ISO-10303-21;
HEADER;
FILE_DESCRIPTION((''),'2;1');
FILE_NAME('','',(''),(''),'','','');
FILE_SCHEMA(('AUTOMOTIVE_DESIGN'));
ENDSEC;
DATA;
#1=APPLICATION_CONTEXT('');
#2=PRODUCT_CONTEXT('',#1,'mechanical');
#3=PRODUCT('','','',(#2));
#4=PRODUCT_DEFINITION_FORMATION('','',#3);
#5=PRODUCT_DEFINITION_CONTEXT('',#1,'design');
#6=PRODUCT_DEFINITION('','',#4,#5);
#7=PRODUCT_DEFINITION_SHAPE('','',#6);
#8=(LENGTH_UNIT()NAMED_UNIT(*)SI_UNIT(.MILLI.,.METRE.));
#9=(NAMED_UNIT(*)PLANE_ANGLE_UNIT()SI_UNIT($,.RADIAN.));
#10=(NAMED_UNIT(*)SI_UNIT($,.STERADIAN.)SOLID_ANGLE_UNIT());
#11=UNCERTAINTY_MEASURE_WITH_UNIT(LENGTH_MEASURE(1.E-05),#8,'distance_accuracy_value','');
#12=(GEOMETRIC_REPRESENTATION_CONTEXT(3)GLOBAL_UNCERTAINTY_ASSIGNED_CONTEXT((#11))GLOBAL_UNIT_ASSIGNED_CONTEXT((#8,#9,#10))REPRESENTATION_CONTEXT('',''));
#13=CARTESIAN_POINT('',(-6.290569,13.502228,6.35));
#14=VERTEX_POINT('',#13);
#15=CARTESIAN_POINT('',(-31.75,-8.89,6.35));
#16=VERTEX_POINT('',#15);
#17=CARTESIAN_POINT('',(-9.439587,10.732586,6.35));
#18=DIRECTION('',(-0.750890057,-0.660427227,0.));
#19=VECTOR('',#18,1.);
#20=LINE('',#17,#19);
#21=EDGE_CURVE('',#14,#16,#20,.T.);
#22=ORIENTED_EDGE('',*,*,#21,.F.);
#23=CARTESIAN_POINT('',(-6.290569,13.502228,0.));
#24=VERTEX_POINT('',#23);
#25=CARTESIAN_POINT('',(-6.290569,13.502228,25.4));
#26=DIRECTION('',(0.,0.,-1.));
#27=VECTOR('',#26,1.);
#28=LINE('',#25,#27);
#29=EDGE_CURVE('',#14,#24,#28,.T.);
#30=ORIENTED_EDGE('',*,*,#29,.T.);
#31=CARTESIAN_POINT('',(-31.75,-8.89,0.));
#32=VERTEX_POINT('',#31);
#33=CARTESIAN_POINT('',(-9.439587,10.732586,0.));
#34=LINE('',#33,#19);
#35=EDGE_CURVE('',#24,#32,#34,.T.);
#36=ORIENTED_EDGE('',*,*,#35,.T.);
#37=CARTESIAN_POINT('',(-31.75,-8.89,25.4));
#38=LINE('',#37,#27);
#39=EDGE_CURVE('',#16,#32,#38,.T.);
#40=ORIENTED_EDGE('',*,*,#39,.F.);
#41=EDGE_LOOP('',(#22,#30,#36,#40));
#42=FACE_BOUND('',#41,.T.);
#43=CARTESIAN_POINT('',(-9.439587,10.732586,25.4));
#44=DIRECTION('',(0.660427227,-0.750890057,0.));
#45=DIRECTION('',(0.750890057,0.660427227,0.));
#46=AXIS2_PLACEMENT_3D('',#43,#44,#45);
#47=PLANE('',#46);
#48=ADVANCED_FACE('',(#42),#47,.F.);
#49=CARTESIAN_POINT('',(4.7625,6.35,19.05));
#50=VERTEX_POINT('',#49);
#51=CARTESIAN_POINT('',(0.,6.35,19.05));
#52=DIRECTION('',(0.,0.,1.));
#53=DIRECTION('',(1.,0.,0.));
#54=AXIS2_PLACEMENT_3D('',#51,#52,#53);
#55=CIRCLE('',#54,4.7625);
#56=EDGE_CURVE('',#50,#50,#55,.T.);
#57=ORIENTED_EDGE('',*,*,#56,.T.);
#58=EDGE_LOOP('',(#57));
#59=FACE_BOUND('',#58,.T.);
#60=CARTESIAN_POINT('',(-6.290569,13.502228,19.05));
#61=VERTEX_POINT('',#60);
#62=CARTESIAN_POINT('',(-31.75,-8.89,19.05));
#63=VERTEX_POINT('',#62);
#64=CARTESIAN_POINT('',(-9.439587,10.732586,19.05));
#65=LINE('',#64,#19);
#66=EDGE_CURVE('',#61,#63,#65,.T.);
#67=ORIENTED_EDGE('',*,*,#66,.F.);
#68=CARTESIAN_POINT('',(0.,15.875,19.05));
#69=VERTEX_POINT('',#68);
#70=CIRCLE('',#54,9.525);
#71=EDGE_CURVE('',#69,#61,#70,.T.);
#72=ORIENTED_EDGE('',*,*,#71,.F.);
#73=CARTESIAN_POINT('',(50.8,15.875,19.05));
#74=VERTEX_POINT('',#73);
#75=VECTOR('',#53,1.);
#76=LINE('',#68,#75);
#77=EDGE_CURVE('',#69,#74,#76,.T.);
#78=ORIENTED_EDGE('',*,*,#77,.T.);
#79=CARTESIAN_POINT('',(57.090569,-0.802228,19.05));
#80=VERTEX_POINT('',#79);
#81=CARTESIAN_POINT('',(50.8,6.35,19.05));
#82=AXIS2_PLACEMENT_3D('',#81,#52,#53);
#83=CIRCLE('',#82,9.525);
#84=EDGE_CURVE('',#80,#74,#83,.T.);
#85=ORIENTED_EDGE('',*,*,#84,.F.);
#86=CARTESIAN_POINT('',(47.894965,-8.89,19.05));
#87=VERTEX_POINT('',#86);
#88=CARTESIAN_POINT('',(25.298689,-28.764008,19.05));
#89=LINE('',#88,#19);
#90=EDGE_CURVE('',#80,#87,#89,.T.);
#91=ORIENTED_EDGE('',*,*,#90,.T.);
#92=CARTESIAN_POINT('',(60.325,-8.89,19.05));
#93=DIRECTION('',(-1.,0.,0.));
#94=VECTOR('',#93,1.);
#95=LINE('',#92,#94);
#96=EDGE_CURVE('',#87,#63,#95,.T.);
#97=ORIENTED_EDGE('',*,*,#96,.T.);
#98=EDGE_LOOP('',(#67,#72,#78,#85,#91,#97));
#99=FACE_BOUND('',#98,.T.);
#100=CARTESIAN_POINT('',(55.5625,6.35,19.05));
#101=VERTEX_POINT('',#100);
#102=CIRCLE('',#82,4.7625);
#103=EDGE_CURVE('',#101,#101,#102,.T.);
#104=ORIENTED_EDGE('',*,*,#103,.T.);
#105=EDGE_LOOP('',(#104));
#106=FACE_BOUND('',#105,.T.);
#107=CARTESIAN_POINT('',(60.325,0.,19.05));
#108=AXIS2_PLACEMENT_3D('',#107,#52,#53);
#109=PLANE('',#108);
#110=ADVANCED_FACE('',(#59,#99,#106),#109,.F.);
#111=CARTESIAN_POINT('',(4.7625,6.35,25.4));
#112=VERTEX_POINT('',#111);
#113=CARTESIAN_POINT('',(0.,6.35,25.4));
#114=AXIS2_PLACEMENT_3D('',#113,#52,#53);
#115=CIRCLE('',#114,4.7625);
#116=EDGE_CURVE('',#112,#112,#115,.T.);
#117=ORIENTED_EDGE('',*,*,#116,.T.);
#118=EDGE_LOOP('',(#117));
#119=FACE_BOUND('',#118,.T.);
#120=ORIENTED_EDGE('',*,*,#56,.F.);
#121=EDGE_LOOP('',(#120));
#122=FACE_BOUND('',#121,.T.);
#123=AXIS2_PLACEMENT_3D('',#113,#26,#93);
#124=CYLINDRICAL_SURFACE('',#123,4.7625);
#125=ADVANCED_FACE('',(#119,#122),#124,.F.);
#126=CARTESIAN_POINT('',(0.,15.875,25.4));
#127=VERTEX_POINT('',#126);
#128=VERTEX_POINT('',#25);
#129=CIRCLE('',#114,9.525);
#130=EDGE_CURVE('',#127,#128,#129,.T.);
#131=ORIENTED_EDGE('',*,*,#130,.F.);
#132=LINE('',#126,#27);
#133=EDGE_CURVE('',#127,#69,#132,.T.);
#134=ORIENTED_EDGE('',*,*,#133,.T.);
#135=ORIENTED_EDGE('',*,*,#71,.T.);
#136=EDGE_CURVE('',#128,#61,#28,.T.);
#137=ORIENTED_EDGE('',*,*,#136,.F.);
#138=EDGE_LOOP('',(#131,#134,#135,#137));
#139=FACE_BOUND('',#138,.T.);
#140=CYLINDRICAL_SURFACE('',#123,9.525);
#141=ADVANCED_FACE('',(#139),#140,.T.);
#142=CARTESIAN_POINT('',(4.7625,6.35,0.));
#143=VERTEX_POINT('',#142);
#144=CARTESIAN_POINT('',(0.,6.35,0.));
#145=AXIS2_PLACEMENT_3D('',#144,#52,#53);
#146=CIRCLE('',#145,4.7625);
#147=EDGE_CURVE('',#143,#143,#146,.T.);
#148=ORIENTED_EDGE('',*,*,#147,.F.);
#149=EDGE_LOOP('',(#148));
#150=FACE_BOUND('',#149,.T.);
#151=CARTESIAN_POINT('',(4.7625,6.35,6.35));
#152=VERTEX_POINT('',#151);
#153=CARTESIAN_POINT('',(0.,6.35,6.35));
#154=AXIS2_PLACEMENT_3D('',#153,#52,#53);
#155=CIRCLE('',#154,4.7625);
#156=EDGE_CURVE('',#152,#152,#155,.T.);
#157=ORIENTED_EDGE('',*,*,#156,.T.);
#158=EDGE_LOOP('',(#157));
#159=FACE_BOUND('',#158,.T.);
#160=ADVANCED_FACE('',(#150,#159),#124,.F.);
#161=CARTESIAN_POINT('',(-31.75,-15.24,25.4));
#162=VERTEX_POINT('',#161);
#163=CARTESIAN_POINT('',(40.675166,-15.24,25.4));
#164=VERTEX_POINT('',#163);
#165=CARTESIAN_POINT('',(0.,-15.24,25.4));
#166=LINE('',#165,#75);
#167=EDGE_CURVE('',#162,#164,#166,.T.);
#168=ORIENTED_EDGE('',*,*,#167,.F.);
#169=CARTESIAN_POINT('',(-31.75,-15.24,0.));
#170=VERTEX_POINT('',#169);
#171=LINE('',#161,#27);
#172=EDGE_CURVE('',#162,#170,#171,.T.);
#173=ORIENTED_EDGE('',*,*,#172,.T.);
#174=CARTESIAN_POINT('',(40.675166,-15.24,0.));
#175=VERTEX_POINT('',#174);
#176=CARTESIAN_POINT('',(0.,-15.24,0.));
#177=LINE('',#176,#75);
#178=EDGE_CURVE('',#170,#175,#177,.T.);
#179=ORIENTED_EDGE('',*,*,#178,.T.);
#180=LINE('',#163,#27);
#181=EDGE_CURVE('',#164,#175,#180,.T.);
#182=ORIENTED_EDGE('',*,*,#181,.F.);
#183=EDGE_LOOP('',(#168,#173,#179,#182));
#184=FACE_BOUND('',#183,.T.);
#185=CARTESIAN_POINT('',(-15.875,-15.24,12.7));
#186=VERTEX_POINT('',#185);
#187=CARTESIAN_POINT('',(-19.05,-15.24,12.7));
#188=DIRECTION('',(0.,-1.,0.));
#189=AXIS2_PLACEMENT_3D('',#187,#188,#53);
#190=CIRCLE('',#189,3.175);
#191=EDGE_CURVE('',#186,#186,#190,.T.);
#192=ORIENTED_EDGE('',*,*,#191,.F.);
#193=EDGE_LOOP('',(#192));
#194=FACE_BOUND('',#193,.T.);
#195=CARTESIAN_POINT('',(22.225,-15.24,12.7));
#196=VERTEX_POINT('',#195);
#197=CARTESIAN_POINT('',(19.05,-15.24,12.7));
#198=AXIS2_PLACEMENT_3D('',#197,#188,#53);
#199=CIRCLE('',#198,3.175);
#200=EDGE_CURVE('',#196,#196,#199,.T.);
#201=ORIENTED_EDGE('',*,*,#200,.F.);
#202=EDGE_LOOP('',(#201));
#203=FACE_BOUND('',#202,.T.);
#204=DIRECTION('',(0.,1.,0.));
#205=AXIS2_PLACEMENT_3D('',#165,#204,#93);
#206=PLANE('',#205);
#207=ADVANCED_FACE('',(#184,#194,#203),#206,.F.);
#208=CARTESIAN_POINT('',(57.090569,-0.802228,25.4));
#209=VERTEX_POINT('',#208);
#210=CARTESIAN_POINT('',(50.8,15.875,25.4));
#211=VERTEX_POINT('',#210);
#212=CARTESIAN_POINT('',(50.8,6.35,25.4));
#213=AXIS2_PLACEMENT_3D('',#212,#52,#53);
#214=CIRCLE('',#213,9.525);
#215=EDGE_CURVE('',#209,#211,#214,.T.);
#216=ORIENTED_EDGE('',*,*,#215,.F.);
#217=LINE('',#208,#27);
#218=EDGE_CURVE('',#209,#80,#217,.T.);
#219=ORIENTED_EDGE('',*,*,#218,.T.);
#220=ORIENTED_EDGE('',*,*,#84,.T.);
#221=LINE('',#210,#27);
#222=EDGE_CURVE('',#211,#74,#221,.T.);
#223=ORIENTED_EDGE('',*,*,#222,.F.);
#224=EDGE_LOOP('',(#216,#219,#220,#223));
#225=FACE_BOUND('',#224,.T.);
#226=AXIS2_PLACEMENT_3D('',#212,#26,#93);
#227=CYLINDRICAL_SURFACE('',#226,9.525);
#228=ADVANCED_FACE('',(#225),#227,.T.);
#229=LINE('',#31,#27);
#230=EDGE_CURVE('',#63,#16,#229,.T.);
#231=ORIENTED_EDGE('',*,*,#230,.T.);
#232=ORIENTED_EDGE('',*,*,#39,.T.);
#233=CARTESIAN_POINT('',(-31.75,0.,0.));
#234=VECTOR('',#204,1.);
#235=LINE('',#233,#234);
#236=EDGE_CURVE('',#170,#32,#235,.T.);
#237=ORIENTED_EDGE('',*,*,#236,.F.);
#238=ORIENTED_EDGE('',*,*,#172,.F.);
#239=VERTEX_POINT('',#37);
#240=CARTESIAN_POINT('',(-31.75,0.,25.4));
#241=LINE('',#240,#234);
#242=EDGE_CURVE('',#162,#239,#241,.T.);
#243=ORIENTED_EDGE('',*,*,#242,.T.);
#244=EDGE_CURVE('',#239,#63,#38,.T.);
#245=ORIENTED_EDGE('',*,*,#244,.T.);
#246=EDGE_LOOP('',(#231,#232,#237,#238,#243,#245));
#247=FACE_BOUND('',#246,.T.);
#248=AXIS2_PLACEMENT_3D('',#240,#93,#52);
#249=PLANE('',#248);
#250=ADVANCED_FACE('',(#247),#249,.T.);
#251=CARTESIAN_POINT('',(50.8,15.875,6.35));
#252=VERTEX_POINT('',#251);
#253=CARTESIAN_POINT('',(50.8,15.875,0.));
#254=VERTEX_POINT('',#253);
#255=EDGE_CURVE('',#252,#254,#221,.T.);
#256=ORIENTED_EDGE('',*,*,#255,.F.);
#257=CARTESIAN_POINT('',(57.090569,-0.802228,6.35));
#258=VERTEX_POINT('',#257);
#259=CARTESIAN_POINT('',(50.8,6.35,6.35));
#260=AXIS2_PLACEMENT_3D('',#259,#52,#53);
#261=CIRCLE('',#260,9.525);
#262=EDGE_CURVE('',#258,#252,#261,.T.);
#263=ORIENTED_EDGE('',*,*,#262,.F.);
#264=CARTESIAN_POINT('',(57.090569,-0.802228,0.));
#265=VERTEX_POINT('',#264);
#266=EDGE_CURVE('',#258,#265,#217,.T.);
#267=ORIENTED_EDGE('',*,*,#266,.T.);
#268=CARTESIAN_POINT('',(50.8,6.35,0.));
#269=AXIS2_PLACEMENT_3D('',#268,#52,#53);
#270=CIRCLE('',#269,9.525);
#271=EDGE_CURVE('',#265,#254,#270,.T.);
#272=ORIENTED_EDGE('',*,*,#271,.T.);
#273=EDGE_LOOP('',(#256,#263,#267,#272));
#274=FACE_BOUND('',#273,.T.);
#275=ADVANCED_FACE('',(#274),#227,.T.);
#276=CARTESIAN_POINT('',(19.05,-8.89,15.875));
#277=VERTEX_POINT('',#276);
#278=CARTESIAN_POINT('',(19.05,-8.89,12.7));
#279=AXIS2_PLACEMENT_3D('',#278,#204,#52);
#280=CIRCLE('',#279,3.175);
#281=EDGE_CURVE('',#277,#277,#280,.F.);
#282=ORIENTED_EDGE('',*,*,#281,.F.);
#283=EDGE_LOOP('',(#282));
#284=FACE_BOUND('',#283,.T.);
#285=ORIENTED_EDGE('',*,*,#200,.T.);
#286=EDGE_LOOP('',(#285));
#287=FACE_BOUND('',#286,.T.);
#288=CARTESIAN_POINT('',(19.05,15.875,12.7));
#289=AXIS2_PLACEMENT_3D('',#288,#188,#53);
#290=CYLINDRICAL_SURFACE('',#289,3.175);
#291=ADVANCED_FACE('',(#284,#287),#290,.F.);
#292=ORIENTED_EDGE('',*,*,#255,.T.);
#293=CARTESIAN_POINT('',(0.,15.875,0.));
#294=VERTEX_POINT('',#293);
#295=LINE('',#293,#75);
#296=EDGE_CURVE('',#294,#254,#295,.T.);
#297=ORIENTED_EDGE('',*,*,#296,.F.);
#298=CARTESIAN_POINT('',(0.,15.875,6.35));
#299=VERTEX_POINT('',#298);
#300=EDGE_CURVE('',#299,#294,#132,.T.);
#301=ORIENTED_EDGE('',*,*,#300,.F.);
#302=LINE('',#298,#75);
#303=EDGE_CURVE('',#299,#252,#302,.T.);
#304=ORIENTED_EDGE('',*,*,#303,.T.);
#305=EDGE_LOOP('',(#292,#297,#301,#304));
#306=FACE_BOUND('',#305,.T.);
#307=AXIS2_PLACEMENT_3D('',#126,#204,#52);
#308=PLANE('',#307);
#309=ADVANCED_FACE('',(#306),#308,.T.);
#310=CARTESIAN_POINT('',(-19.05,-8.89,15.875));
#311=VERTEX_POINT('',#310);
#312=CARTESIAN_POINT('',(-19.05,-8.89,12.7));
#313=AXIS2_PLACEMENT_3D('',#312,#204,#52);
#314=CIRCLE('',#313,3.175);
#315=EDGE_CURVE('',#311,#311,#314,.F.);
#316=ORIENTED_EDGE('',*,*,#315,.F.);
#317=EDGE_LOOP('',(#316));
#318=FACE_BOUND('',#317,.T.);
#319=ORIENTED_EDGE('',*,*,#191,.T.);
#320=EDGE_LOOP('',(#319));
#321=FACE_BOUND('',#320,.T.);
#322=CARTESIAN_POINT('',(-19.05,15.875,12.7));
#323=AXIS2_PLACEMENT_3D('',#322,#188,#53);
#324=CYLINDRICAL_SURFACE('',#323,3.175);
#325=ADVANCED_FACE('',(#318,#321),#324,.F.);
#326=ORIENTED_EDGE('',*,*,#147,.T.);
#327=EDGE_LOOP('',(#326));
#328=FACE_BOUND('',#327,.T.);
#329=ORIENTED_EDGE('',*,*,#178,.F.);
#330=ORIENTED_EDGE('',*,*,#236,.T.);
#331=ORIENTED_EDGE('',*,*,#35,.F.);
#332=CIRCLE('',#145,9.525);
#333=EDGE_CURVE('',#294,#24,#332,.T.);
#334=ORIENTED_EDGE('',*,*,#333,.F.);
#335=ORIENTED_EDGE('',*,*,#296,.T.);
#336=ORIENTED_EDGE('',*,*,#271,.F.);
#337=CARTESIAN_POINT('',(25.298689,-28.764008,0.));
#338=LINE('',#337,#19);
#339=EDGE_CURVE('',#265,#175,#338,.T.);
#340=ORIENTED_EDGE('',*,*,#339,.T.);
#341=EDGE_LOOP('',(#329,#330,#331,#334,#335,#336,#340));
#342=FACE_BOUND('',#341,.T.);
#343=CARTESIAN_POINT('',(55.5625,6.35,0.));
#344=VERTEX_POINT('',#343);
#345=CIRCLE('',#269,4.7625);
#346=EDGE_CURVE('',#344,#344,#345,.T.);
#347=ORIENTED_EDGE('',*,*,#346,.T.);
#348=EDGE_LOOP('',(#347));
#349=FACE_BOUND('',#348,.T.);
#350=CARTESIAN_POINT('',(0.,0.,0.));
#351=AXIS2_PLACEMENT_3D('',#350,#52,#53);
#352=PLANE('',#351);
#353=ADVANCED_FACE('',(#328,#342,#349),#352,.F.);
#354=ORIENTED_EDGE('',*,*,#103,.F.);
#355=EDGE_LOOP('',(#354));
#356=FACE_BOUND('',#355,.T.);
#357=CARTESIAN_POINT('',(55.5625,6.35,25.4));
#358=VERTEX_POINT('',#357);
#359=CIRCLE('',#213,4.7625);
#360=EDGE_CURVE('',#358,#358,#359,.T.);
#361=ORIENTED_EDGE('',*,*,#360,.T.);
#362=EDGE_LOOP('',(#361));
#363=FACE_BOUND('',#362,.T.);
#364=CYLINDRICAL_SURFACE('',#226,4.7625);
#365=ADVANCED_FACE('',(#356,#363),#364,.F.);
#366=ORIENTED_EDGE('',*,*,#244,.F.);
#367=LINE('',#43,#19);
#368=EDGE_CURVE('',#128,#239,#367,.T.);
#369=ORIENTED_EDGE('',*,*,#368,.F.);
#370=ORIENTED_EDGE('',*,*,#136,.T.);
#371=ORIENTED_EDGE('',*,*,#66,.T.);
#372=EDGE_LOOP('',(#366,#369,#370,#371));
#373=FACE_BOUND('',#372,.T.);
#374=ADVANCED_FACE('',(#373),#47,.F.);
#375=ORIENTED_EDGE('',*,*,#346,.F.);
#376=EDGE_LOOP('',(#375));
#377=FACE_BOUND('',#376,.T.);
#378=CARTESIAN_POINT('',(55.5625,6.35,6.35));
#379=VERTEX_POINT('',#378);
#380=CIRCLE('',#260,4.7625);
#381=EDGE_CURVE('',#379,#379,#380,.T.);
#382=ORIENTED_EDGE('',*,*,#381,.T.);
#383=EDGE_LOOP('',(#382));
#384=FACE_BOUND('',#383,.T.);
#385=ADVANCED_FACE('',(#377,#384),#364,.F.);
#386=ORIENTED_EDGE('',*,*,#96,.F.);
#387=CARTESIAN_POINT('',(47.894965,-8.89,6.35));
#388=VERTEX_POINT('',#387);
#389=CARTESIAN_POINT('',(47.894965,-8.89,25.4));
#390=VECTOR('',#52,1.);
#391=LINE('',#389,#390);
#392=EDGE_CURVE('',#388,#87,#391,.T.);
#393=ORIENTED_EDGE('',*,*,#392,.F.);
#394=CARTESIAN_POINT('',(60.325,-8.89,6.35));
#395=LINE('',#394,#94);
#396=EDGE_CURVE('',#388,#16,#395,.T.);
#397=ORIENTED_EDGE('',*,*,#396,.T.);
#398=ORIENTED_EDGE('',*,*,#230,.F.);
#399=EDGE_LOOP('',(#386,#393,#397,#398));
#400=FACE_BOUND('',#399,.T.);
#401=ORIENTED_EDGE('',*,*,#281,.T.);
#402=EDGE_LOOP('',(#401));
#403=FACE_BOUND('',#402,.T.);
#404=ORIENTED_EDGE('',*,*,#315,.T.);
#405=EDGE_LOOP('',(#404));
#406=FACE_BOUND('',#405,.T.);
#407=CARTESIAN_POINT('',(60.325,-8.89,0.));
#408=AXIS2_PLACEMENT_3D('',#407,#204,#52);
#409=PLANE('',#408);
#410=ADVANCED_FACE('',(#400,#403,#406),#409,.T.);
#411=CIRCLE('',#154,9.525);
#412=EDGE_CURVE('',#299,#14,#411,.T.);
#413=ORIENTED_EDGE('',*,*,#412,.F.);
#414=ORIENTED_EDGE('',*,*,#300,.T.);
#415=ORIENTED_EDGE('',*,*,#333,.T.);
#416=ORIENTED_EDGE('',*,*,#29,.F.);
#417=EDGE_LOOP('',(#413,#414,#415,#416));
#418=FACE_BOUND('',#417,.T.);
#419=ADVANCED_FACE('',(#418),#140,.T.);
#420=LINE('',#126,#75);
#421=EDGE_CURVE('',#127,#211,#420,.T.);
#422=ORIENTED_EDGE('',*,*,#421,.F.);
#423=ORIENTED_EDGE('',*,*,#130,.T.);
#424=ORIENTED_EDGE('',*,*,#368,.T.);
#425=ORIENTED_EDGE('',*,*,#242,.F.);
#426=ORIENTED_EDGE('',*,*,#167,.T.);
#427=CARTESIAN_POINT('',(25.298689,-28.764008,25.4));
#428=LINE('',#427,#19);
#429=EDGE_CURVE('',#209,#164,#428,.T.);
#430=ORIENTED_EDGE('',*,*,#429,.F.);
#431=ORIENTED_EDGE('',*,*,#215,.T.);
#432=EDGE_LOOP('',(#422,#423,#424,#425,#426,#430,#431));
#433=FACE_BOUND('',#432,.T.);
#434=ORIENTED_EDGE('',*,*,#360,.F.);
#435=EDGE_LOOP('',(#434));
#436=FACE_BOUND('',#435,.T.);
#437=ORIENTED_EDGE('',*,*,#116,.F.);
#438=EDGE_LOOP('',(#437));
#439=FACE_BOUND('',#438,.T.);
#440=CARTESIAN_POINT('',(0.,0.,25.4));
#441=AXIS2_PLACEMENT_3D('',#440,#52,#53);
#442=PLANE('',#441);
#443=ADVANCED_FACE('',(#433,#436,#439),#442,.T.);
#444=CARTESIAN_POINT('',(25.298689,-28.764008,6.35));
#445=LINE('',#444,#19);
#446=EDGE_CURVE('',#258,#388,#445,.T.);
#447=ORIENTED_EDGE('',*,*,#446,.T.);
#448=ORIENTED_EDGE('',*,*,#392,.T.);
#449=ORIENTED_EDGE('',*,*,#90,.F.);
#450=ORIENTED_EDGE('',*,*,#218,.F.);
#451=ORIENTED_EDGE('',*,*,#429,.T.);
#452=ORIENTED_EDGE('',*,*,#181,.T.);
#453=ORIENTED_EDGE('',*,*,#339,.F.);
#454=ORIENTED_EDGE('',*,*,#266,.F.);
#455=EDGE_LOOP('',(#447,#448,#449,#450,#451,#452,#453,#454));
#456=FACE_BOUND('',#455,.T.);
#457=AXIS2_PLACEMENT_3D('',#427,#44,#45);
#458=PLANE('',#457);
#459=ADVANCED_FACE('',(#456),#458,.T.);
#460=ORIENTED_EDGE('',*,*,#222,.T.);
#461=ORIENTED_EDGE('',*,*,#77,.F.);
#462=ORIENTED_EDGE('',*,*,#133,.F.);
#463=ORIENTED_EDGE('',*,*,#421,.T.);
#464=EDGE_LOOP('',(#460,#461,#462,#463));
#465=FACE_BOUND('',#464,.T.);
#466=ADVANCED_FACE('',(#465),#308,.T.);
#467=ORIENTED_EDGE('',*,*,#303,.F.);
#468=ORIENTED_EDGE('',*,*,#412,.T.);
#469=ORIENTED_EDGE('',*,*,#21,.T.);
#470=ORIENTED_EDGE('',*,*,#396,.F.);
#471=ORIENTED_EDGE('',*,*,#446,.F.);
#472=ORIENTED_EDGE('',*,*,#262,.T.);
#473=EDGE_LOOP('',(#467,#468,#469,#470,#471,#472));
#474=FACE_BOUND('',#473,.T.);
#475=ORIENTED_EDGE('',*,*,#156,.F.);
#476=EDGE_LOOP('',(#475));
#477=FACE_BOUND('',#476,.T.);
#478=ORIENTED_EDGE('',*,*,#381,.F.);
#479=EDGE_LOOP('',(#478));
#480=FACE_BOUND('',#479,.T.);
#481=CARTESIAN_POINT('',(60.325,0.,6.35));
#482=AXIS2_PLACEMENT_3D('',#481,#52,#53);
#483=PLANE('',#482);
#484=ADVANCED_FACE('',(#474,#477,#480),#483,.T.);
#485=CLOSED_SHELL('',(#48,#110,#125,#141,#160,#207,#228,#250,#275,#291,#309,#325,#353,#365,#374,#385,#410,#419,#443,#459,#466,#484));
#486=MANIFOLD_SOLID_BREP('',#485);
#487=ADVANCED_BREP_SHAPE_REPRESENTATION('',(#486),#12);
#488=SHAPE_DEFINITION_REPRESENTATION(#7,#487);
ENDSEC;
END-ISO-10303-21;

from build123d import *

# Parameters (mm, degrees)
SKETCH1_R           = 4.7625
BOSS_EXTRUDE1_DEPTH = 25.4
SKETCH2_R           = 3.175
CUT_EXTRUDE1_DEPTH  = 32.115
SKETCH3_W           = 12.7
SKETCH3_H           = 28.80549591
CUT_EXTRUDE2_DEPTH  = 93.075


with BuildPart() as part:
    # Sketch1 → Boss-Extrude1 (new body)
    with BuildSketch(Plane.XY):
        with BuildLine():
            Line((50.8, 15.875), (0, 15.875))
            ThreePointArc((0, 15.875), (-3.361595996, 15.262087149), (-6.29056934, 13.502227791))
            Line((-6.29056934, 13.502227791), (-31.75, -8.89))
            Line((-31.75, -8.89), (-31.75, -15.24))
            Line((-31.75, -15.24), (40.675165573, -15.24))
            Line((40.675165573, -15.24), (57.09056934, -0.802227791))
            ThreePointArc((57.09056934, -0.802227791), (59.712087149, 9.711595996), (50.8, 15.875))
        make_face()
        with Locations((0, 6.35)):
            Circle(SKETCH1_R, mode=Mode.SUBTRACT)
        with Locations((50.8, 6.35)):
            Circle(SKETCH1_R, mode=Mode.SUBTRACT)
    extrude(amount=BOSS_EXTRUDE1_DEPTH)

    # Sketch2 → Cut-Extrude1 (cut, through all)
    with BuildSketch(Plane(origin=(0, -15.24, 0), x_dir=(-1, 0, 0), z_dir=(0, -1, 0))):
        with Locations((-19.05, -12.7)):
            Circle(SKETCH2_R)
        with Locations((19.05, -12.7)):
            Circle(SKETCH2_R)
    extrude(amount=-CUT_EXTRUDE1_DEPTH, mode=Mode.SUBTRACT)

    # Sketch3 → Cut-Extrude2 (cut, through all)
    with BuildSketch(Plane.ZY.offset(31.75)):
        with Locations((12.7, 5.512747955)):
            Rectangle(SKETCH3_W, SKETCH3_H)
    extrude(amount=-CUT_EXTRUDE2_DEPTH, mode=Mode.SUBTRACT)


solid = part.part
